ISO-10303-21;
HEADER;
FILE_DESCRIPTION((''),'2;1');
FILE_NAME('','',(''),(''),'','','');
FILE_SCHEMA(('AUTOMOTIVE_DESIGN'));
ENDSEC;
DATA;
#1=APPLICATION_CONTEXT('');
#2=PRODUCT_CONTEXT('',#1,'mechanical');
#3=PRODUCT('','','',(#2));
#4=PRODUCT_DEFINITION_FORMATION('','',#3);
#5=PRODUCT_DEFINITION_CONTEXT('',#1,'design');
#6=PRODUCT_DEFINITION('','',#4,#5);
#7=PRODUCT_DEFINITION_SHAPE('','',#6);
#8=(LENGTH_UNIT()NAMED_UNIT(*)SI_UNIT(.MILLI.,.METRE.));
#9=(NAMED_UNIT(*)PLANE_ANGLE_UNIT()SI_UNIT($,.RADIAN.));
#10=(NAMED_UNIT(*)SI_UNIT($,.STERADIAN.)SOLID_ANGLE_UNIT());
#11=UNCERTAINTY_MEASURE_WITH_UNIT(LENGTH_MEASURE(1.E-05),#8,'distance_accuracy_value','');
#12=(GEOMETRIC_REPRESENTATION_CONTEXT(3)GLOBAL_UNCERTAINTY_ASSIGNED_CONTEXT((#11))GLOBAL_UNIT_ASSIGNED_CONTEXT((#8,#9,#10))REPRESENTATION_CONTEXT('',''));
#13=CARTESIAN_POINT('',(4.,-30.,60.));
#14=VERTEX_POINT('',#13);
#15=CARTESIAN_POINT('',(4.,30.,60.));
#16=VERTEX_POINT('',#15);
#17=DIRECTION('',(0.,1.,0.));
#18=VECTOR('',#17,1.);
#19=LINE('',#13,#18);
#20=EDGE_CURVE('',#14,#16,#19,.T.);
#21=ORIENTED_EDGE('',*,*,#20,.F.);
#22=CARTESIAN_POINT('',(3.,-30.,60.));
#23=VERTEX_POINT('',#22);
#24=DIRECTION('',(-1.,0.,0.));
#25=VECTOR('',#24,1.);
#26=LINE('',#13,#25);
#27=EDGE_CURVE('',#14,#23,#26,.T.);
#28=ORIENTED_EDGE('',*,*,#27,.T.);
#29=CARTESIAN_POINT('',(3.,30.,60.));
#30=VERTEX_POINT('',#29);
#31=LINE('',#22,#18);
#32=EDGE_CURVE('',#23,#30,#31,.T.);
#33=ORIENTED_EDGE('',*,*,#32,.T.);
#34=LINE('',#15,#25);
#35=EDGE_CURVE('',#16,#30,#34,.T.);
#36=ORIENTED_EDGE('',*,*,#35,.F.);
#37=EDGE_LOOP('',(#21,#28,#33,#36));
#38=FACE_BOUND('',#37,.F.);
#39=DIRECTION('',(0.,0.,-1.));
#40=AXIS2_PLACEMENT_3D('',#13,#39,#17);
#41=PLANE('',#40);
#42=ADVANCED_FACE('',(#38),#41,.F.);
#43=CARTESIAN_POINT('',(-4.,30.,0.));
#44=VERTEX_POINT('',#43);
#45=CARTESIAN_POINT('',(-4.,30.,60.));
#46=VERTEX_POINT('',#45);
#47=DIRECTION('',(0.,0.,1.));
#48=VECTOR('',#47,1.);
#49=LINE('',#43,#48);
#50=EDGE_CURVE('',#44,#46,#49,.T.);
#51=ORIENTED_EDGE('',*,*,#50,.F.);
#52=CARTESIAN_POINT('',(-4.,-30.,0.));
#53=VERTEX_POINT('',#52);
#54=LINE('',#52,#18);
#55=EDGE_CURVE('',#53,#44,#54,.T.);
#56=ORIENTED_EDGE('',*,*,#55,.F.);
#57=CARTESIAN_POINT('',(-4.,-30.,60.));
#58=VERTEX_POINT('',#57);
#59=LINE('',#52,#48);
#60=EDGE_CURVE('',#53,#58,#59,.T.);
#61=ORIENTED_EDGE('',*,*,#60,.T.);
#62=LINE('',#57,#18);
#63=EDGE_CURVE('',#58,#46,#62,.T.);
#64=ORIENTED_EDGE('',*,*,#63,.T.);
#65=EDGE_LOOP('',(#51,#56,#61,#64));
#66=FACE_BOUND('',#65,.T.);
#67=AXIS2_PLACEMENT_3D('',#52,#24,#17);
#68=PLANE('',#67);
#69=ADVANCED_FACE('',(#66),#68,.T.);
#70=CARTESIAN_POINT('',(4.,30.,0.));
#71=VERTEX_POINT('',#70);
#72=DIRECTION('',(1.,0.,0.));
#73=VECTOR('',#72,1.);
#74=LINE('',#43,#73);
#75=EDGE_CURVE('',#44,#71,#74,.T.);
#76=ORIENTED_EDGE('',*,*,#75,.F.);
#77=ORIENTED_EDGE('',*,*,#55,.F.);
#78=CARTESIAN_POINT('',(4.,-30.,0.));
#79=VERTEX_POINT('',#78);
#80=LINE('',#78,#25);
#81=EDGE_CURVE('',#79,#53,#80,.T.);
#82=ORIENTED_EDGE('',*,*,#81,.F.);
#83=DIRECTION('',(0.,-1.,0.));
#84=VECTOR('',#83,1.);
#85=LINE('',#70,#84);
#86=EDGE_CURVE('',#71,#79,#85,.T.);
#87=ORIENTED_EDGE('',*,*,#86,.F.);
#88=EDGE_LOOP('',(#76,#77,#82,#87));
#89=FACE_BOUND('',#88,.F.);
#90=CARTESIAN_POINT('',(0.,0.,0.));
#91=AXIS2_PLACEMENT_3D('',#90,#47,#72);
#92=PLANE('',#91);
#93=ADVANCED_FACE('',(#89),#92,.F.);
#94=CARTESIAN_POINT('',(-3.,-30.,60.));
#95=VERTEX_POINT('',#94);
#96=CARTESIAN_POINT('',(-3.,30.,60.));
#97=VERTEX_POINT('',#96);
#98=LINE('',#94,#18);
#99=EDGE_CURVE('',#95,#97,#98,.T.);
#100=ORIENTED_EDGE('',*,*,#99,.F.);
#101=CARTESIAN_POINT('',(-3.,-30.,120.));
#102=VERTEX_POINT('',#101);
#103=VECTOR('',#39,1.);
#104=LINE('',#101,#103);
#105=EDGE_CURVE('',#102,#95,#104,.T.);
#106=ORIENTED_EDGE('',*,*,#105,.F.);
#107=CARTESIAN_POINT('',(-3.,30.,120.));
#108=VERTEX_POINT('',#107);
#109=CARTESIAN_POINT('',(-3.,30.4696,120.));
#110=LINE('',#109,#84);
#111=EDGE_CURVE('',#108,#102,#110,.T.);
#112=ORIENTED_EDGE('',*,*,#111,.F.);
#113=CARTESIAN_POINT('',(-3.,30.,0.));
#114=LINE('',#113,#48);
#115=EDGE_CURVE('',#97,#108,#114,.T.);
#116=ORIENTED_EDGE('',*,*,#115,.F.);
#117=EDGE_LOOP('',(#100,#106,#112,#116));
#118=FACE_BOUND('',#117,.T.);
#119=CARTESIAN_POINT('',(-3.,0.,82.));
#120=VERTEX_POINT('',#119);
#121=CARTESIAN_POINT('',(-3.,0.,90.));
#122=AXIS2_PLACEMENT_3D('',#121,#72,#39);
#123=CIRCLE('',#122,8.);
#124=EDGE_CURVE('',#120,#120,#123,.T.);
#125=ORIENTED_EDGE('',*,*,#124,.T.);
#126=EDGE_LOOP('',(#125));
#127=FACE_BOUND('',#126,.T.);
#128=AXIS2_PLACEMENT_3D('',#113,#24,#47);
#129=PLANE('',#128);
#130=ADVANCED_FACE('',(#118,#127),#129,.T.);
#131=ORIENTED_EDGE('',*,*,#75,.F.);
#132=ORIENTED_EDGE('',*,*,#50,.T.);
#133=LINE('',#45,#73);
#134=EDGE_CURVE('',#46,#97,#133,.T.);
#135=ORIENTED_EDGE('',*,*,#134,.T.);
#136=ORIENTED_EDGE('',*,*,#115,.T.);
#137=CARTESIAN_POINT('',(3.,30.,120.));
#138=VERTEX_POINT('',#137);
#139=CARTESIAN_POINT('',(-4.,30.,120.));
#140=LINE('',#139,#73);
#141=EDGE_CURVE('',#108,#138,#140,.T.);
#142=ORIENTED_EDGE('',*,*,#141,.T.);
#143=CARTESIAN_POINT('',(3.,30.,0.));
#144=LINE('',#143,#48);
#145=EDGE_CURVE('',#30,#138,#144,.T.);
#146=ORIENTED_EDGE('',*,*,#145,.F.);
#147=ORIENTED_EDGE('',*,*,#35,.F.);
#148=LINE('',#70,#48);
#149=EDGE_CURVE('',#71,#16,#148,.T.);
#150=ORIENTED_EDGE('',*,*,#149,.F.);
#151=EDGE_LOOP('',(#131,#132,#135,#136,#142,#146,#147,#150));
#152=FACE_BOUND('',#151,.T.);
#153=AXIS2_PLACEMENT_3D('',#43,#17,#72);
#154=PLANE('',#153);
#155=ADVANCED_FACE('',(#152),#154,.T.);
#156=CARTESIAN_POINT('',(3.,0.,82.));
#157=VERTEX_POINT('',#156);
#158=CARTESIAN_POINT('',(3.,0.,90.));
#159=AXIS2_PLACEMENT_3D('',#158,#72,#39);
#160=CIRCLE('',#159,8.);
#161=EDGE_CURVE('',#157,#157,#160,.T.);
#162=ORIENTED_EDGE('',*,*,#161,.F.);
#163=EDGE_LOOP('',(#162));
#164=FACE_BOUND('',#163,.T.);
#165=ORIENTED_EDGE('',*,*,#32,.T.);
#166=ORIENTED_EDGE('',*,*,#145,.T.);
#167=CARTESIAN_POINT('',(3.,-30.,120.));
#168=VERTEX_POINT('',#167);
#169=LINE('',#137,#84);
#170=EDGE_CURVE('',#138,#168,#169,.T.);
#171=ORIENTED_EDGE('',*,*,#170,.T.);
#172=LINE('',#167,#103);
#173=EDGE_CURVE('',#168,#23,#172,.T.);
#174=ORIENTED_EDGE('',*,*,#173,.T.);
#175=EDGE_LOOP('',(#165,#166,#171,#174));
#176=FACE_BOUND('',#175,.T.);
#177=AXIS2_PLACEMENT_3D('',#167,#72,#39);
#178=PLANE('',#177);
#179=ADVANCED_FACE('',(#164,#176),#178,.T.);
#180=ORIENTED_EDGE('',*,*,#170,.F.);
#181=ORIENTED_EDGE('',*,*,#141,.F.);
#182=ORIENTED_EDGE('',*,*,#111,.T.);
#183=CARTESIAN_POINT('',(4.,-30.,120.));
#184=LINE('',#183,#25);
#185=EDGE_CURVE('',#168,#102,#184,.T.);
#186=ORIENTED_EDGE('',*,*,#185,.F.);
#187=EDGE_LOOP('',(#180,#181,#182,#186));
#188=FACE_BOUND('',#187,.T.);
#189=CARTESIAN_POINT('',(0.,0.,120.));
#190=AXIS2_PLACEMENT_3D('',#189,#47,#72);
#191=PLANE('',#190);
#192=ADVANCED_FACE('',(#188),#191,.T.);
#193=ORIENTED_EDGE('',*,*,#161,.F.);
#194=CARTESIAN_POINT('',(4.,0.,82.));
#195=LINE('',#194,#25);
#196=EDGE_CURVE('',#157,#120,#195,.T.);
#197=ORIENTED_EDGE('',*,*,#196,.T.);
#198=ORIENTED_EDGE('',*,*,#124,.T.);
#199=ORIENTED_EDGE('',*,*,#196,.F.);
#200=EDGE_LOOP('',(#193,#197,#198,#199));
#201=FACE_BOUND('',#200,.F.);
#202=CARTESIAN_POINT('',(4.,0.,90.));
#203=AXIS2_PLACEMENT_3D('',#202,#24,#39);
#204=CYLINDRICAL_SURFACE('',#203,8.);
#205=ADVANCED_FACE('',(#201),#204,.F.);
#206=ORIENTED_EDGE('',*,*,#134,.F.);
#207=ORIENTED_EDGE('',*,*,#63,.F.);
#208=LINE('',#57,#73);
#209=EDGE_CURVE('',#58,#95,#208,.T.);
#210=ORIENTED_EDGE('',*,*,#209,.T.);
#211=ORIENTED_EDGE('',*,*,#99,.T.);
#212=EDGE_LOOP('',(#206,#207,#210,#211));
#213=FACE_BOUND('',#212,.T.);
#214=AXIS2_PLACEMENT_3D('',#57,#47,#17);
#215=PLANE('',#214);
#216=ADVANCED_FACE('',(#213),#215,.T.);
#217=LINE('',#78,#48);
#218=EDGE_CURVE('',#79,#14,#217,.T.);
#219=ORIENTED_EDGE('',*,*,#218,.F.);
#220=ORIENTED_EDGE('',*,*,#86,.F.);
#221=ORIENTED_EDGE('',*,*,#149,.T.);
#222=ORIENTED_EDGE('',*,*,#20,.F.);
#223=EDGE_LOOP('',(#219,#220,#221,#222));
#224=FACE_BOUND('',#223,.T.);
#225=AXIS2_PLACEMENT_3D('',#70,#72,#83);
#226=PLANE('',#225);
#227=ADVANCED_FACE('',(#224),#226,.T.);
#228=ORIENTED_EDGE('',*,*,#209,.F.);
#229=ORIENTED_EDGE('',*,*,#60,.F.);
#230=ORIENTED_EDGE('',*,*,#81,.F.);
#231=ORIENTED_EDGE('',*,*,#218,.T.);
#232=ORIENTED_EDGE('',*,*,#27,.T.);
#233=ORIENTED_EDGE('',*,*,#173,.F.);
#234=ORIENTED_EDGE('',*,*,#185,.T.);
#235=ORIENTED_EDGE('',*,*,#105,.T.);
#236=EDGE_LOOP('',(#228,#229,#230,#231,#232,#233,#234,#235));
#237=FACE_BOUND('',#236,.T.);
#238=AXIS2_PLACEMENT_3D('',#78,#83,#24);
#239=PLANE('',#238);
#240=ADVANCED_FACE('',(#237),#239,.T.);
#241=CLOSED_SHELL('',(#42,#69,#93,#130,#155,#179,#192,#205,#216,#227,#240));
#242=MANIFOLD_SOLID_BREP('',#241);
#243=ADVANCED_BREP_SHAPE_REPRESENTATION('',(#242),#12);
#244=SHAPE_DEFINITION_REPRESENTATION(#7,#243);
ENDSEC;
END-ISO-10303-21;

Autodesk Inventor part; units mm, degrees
ref_plane "YZ Plane" through (0, 0, 0) normal (1, 0, 0) x (0, 1, 0)
ref_plane "Startebene" through (0, 0, 0) normal (0, 0, 1) x (1, 0, 0)
ref_plane "Endebene" through (0, 0, 120) normal (0, 0, 1) x (1, 0, 0)
sketch "Skizze" plane through (0, 0, 0) normal (0, 0, 1) x (1, 0, 0)
  line L0 (4, -30) -> (-4, -30)
  line L1 (-4, -30) -> (-4, 30)
  line L2 (-4, 30) -> (4, 30)
  line L3 (4, 30) -> (4, -30)
  line L4 (-6, 0) -> (8, 0) construction
  line L5 (0, -30) -> (0, 40) construction
  line L6 (0, 54) -> (0, -44) construction
  line L7 (-9.2, 0) -> (13.2, 0) construction
  dimension "d0" = 60
  dimension "d1" = 8
  dimension "d4" = 4
  dimension "d5" = 30
extrude "Körper" add sketch "Skizze" along normal up to surface (120 mm away) from surface at 0
sketch "Sketch3" plane through (0, 0, 0) normal (0, 0, 1) x (1, 0, 0)
  line L0 (0, 0) -> (10, 0)
ref_plane "Work Plane3" through (0, 0, 0) normal (0, -1, 0) x (1, 0, 0)
sketch "Sketch4" plane through (0, 0, 0) normal (0, -1, 0) x (1, 0, 0)
  line L0 (-2, 0) -> (12, 0)
  line L1 (-2, 120) -> (12, 120)
  dimension "d9" = 120
sketch "Skizze5" plane through (4, -30, 120) normal (1, 0, 0) x (0, 0, -1)
  line L0 (0, 60) -> (0, 0) projected
  line L1 (120, 0) -> (0, 0) projected
  line L2 (0, 60) -> (0, 0) projected
  line L3 (120, 0) -> (0, 0) projected
  line L4 (120, 60) -> (120, 0) projected
  line L5 (120, 60) -> (0, 60) projected
  point P0 (120, 30)
  point P1 (30, 30)
  dimension "d10" = 30
  dimension "d11" = 30
hole "Bohrung1" at (4, 0, 90) direction (-1, 0, 0) diameter 16 end through all
sketch "Skizze6" plane through (4, -30, 120) normal (1, 0, 0) x (0, 0, -1)
  circle A0 centre (30, 30) radius 8 projected
  line L0 (120, 60) -> (0, 60) projected
  line L1 (0, 0) -> (60, 0)
  line L2 (60, 0) -> (60, 60)
  line L3 (60, 60) -> (0, 60)
  line L4 (0, 60) -> (0, 0)
  point P0 (120, 30)
  dimension "d19" = 60
extrude "Extrusion2" cut sketch "Skizze6" against normal blind 1
sketch "Skizze7" plane through (-4, 30, 0) normal (-1, 0, 0) x (0, 0, 1)
  circle A0 centre (90, -30) radius 8 projected
  line L0 (120, -60) -> (60, -60)
  line L1 (60, -60) -> (60, 0.4696)
  line L2 (60, 0.4696) -> (120, 0.4696)
  line L3 (120, 0.4696) -> (120, -60)
  point P0 (0, -30)
  dimension "d22" = 60
extrude "Extrusion3" cut sketch "Skizze7" against normal blind 1
equation "\"d0\" = G_W"
equation "\"d1\" = G_H"
equation "\"d4\" = 0.5 * d1"
equation "\"d5\" = 0.5 * d0"
equation "\"d2\" = G_L"
equation "\"G_W\" = 60"
equation "\"G_H\" = 8"
equation "\"G_L\" = d9"
equation "\"G_OFFSET_START\" = 0"
equation "\"G_OFFSET_END\" = 0"
properties part number "EN 10058 - 60 x 8 - 110" material "Stahl, weich"
